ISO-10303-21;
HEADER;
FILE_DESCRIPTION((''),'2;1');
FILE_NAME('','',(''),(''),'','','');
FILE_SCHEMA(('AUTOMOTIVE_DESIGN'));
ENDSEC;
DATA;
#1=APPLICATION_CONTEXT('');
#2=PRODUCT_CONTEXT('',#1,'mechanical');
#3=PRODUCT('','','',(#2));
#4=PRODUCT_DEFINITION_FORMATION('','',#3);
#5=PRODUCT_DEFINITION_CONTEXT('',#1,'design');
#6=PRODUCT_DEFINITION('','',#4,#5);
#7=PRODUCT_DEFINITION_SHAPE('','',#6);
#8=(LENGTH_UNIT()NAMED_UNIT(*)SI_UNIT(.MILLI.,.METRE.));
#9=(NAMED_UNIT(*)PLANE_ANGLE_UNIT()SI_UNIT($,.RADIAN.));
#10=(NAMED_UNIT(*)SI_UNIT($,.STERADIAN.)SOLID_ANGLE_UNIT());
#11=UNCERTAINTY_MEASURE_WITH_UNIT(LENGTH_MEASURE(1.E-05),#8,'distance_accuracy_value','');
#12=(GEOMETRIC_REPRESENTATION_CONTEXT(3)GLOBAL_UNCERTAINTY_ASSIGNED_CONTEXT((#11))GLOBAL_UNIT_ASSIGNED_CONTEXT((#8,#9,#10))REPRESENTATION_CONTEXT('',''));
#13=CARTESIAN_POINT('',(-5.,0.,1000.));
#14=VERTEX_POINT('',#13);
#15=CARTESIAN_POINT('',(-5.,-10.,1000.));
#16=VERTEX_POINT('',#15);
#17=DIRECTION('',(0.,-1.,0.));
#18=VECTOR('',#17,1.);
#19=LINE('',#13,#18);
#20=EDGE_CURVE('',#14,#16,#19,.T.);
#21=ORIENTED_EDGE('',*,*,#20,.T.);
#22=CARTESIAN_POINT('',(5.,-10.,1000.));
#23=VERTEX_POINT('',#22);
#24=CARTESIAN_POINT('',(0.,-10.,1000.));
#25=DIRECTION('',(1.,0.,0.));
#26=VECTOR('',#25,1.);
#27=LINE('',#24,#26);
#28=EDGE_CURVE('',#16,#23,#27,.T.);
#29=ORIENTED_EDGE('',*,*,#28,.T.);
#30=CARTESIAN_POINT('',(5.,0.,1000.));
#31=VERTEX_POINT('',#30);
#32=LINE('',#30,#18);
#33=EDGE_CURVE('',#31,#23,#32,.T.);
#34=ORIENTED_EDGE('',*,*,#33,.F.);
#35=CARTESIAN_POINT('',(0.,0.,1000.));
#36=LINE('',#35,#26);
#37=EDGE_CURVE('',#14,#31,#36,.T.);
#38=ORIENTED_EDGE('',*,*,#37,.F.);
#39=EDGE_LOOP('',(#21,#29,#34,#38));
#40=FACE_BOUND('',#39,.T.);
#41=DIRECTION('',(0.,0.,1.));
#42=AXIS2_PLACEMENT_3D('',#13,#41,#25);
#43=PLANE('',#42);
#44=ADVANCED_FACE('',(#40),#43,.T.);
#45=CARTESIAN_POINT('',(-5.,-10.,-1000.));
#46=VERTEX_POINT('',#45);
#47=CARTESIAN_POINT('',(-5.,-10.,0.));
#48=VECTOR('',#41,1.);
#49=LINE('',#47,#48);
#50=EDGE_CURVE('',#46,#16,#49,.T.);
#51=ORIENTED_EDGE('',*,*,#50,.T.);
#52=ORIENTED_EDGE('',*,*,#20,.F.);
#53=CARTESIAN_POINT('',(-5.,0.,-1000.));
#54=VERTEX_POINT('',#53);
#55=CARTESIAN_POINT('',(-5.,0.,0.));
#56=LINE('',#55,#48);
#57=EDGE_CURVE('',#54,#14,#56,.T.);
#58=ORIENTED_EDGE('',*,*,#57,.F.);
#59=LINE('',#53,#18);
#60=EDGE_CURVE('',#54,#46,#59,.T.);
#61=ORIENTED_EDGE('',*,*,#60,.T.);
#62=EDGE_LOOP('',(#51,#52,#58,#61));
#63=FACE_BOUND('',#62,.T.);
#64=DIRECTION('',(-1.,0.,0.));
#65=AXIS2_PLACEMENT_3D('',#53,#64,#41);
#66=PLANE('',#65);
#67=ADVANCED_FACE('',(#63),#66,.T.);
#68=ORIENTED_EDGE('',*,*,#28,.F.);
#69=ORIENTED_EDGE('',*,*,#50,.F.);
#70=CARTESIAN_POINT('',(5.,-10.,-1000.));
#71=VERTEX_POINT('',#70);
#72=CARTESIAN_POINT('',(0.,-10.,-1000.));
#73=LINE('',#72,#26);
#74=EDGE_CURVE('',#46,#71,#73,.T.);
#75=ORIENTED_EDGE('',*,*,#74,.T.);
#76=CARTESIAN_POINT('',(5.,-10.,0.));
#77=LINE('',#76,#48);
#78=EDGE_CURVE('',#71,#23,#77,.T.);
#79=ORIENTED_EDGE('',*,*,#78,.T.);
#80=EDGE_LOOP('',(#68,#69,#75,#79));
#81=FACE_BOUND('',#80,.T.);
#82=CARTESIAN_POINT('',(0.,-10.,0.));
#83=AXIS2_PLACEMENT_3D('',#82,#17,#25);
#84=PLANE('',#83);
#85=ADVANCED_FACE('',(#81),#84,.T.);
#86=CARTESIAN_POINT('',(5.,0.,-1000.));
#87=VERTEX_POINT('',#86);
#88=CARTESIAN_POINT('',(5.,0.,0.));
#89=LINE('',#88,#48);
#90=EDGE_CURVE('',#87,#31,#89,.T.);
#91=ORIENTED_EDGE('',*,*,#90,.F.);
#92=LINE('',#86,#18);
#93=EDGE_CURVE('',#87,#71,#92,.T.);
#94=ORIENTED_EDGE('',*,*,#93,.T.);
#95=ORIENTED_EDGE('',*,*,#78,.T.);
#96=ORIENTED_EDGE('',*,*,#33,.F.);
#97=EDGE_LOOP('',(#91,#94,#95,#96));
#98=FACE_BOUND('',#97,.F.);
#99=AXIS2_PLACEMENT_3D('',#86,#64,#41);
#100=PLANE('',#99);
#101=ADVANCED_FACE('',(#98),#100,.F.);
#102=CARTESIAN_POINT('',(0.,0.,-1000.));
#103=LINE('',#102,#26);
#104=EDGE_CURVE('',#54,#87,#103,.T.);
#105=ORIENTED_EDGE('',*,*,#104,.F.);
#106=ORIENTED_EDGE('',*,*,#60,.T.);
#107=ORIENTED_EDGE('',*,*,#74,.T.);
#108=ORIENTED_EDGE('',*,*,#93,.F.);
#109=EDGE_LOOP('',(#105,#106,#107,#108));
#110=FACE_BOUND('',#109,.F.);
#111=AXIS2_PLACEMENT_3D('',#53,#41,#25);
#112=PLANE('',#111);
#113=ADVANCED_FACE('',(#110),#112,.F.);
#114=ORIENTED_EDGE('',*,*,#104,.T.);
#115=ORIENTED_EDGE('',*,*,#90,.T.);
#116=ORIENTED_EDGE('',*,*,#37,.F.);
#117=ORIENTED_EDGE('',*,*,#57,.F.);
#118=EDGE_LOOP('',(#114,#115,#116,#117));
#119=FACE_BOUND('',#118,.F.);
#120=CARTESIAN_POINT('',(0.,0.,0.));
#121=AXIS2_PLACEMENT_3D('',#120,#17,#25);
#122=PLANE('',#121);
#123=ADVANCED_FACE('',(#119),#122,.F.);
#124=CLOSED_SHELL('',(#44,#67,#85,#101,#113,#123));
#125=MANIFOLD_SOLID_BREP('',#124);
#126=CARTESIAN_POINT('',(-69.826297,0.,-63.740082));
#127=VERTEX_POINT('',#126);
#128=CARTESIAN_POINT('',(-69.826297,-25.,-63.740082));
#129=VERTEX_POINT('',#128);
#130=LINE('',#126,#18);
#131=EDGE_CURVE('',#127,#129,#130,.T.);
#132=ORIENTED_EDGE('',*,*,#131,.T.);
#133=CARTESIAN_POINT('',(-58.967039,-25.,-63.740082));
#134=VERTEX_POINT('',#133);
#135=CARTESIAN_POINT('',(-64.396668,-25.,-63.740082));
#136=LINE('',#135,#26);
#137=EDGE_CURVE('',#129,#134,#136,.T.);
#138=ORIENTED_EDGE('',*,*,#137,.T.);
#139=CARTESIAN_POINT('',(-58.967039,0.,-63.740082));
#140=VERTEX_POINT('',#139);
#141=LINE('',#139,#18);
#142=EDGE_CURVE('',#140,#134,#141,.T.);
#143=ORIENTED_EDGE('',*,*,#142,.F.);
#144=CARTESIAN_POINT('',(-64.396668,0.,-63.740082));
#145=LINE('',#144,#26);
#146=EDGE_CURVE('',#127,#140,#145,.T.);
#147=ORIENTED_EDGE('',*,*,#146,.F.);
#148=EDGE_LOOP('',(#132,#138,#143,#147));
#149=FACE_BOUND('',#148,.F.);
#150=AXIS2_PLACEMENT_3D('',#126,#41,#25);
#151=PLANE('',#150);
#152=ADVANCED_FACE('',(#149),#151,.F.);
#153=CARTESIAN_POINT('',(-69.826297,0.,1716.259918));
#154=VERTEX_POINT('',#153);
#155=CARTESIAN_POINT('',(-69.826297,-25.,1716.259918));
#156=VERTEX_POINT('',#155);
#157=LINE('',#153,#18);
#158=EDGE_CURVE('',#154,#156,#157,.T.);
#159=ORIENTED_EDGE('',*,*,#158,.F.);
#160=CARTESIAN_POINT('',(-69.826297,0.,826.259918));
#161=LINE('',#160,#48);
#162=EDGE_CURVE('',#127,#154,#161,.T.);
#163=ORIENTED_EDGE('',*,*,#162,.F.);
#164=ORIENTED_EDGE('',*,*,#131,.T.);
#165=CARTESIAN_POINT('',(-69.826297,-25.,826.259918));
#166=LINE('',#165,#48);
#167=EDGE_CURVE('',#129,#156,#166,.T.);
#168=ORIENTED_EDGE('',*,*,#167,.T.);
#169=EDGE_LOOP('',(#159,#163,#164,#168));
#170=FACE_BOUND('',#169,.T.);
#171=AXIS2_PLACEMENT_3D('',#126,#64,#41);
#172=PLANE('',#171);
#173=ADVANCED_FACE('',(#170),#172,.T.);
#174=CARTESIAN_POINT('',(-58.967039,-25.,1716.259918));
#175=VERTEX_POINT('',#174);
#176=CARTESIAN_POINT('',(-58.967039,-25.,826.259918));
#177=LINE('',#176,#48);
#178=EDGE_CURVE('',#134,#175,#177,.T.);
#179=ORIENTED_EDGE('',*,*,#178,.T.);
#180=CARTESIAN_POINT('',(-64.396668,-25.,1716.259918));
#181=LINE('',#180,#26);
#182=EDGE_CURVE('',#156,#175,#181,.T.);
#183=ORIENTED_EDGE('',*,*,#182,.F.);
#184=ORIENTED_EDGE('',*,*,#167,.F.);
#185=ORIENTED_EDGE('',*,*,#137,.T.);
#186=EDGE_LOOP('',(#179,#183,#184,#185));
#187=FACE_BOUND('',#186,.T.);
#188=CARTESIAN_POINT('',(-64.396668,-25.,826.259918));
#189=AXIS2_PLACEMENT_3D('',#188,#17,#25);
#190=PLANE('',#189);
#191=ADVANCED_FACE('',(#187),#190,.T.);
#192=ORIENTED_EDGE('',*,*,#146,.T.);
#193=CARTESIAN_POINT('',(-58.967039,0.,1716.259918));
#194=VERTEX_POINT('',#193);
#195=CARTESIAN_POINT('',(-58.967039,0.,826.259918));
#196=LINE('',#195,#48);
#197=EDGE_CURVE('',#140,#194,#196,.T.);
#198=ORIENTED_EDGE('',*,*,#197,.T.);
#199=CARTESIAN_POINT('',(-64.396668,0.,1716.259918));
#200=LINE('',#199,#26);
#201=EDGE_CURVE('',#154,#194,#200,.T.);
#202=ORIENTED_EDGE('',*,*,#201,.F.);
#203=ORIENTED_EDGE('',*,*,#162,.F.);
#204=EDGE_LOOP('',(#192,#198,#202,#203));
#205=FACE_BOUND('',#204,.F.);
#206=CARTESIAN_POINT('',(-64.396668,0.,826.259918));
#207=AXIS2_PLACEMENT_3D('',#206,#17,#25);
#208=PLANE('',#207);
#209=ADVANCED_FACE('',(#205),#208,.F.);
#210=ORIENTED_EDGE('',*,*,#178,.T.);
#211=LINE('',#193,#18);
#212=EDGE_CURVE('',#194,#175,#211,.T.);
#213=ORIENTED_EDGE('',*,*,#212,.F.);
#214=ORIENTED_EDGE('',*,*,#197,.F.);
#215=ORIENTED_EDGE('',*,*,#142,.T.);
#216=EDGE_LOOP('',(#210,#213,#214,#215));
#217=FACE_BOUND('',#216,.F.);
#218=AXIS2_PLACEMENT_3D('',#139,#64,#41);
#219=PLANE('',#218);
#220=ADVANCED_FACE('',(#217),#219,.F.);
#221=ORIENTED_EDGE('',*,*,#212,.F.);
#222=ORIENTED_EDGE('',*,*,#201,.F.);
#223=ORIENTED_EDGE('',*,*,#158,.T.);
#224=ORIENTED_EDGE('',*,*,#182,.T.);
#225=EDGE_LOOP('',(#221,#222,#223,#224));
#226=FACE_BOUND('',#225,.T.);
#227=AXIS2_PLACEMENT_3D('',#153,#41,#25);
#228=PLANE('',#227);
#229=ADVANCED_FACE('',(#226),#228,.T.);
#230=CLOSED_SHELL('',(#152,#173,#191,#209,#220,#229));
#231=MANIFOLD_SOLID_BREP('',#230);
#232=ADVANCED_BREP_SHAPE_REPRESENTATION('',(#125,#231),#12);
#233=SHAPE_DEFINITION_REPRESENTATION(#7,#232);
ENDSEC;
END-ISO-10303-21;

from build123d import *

# Parameters (mm, degrees)
F0_W     = 10
F0_H     = 2000
F1_DEPTH = 10
F2_W     = 10.859258
F2_H     = 1780
F3_DEPTH = 25


with BuildPart() as f1:
    # F0 (on Front) → F1 (new body)
    with BuildSketch(Plane.XZ):
        Rectangle(F0_W, F0_H)
    extrude(amount=F1_DEPTH)


with BuildPart() as f3:
    # F2 (on Front) → F3 (new body)
    with BuildSketch(Plane.XZ):
        with Locations((-64.396668, 826.259918)):
            Rectangle(F2_W, F2_H)
    extrude(amount=F3_DEPTH)


solid = Compound([f1.part, f3.part])
